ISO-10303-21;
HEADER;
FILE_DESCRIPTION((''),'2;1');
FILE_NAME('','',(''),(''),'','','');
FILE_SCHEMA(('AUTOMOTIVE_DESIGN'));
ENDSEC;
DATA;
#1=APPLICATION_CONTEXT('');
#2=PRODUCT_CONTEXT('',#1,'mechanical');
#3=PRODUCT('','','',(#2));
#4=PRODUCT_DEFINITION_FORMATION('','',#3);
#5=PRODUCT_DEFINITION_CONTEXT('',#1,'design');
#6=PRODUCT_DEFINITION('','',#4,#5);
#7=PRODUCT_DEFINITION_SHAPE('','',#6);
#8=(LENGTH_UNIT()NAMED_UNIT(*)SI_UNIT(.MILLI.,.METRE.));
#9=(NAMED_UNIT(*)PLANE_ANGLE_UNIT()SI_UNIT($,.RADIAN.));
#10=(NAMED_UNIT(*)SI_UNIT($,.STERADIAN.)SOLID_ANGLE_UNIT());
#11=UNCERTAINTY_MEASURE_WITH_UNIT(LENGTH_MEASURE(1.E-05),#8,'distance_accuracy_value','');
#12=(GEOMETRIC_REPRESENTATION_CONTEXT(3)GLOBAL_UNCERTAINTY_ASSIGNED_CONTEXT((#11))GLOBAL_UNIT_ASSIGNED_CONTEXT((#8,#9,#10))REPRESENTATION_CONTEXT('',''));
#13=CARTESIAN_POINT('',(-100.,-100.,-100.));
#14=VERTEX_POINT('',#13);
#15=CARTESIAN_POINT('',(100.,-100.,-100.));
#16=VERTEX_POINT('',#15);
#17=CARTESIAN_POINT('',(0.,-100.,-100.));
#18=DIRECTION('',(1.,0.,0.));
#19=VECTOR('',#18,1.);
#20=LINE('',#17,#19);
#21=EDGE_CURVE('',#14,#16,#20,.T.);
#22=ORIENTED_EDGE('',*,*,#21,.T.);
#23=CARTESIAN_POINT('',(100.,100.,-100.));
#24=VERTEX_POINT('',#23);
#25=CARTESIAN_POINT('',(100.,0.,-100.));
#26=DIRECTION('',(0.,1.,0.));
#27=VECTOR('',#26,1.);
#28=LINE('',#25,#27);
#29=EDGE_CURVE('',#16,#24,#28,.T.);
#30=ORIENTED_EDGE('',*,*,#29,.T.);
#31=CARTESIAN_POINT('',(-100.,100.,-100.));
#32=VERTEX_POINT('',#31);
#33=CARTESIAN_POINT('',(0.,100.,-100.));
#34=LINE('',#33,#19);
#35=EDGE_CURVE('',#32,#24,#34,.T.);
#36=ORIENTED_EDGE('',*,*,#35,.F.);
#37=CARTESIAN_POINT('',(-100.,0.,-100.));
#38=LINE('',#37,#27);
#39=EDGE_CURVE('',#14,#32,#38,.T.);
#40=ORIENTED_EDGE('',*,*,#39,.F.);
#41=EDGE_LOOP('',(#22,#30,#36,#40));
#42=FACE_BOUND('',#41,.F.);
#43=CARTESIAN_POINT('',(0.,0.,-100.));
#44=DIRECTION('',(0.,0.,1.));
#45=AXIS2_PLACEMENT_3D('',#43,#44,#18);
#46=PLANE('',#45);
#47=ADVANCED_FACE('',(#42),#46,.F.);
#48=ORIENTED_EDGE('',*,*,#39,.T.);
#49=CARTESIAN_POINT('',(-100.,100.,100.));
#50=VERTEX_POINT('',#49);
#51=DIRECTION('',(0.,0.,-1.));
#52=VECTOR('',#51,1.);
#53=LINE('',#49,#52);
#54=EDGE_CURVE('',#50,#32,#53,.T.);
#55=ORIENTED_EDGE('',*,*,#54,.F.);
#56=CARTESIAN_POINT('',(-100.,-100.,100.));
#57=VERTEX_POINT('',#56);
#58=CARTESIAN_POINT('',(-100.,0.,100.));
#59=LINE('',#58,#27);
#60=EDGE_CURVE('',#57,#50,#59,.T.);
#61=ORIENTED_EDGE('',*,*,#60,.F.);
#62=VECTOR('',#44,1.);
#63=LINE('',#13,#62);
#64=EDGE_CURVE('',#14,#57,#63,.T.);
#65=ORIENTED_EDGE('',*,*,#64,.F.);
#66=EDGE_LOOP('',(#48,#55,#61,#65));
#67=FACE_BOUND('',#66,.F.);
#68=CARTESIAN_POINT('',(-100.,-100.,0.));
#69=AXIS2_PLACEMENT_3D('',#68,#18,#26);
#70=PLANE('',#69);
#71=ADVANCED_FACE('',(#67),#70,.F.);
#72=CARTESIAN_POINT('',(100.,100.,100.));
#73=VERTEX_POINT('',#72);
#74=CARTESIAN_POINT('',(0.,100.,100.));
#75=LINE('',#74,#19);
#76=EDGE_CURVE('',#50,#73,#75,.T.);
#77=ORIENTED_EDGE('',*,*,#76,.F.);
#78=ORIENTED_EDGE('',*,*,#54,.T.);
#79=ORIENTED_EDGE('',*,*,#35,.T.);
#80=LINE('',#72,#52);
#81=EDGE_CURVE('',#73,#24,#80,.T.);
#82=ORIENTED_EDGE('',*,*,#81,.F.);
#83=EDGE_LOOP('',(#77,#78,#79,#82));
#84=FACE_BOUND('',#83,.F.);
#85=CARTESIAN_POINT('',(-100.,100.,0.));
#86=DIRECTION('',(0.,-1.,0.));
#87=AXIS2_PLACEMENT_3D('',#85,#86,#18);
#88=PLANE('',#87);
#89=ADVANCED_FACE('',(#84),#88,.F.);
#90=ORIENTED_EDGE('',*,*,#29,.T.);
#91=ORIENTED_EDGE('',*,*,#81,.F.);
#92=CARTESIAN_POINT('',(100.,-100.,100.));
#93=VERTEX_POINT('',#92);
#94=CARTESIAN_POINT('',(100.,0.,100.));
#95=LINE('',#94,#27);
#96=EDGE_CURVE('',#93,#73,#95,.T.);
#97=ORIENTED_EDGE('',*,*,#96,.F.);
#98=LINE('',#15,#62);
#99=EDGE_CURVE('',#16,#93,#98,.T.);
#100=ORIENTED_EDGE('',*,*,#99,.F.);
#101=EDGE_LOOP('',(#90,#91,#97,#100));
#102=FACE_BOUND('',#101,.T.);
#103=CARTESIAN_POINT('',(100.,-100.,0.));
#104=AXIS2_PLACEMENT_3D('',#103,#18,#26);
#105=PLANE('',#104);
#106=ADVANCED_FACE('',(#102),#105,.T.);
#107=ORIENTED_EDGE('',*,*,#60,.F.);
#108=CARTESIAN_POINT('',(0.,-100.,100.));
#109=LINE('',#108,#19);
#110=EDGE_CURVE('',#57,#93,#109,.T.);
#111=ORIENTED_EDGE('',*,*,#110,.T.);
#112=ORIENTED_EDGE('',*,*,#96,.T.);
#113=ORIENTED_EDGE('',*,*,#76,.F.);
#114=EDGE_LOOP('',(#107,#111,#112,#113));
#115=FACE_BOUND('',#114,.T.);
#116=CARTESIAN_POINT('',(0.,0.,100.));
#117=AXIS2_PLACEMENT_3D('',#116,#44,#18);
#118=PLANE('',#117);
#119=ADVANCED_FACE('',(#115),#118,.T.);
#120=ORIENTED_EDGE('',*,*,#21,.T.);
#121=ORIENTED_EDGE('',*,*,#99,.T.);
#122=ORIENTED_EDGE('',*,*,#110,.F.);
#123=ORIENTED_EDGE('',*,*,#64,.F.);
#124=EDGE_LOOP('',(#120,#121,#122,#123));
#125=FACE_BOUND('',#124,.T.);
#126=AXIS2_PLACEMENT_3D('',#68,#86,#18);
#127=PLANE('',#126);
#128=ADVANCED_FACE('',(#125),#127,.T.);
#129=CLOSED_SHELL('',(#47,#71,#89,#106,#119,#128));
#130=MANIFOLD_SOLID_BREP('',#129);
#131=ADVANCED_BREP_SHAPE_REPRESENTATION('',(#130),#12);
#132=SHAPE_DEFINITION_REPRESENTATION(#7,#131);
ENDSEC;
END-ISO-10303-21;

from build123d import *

# Parameters (mm, degrees)
SKETCH_W  = 200
SKETCH_H  = 200
PAD_DEPTH = 100


with BuildPart() as part:
    # Sketch → Pad (new body, symmetric)
    with BuildSketch(Plane.XY):
        Rectangle(SKETCH_W, SKETCH_H)
    extrude(amount=PAD_DEPTH, both=True)


solid = part.part
